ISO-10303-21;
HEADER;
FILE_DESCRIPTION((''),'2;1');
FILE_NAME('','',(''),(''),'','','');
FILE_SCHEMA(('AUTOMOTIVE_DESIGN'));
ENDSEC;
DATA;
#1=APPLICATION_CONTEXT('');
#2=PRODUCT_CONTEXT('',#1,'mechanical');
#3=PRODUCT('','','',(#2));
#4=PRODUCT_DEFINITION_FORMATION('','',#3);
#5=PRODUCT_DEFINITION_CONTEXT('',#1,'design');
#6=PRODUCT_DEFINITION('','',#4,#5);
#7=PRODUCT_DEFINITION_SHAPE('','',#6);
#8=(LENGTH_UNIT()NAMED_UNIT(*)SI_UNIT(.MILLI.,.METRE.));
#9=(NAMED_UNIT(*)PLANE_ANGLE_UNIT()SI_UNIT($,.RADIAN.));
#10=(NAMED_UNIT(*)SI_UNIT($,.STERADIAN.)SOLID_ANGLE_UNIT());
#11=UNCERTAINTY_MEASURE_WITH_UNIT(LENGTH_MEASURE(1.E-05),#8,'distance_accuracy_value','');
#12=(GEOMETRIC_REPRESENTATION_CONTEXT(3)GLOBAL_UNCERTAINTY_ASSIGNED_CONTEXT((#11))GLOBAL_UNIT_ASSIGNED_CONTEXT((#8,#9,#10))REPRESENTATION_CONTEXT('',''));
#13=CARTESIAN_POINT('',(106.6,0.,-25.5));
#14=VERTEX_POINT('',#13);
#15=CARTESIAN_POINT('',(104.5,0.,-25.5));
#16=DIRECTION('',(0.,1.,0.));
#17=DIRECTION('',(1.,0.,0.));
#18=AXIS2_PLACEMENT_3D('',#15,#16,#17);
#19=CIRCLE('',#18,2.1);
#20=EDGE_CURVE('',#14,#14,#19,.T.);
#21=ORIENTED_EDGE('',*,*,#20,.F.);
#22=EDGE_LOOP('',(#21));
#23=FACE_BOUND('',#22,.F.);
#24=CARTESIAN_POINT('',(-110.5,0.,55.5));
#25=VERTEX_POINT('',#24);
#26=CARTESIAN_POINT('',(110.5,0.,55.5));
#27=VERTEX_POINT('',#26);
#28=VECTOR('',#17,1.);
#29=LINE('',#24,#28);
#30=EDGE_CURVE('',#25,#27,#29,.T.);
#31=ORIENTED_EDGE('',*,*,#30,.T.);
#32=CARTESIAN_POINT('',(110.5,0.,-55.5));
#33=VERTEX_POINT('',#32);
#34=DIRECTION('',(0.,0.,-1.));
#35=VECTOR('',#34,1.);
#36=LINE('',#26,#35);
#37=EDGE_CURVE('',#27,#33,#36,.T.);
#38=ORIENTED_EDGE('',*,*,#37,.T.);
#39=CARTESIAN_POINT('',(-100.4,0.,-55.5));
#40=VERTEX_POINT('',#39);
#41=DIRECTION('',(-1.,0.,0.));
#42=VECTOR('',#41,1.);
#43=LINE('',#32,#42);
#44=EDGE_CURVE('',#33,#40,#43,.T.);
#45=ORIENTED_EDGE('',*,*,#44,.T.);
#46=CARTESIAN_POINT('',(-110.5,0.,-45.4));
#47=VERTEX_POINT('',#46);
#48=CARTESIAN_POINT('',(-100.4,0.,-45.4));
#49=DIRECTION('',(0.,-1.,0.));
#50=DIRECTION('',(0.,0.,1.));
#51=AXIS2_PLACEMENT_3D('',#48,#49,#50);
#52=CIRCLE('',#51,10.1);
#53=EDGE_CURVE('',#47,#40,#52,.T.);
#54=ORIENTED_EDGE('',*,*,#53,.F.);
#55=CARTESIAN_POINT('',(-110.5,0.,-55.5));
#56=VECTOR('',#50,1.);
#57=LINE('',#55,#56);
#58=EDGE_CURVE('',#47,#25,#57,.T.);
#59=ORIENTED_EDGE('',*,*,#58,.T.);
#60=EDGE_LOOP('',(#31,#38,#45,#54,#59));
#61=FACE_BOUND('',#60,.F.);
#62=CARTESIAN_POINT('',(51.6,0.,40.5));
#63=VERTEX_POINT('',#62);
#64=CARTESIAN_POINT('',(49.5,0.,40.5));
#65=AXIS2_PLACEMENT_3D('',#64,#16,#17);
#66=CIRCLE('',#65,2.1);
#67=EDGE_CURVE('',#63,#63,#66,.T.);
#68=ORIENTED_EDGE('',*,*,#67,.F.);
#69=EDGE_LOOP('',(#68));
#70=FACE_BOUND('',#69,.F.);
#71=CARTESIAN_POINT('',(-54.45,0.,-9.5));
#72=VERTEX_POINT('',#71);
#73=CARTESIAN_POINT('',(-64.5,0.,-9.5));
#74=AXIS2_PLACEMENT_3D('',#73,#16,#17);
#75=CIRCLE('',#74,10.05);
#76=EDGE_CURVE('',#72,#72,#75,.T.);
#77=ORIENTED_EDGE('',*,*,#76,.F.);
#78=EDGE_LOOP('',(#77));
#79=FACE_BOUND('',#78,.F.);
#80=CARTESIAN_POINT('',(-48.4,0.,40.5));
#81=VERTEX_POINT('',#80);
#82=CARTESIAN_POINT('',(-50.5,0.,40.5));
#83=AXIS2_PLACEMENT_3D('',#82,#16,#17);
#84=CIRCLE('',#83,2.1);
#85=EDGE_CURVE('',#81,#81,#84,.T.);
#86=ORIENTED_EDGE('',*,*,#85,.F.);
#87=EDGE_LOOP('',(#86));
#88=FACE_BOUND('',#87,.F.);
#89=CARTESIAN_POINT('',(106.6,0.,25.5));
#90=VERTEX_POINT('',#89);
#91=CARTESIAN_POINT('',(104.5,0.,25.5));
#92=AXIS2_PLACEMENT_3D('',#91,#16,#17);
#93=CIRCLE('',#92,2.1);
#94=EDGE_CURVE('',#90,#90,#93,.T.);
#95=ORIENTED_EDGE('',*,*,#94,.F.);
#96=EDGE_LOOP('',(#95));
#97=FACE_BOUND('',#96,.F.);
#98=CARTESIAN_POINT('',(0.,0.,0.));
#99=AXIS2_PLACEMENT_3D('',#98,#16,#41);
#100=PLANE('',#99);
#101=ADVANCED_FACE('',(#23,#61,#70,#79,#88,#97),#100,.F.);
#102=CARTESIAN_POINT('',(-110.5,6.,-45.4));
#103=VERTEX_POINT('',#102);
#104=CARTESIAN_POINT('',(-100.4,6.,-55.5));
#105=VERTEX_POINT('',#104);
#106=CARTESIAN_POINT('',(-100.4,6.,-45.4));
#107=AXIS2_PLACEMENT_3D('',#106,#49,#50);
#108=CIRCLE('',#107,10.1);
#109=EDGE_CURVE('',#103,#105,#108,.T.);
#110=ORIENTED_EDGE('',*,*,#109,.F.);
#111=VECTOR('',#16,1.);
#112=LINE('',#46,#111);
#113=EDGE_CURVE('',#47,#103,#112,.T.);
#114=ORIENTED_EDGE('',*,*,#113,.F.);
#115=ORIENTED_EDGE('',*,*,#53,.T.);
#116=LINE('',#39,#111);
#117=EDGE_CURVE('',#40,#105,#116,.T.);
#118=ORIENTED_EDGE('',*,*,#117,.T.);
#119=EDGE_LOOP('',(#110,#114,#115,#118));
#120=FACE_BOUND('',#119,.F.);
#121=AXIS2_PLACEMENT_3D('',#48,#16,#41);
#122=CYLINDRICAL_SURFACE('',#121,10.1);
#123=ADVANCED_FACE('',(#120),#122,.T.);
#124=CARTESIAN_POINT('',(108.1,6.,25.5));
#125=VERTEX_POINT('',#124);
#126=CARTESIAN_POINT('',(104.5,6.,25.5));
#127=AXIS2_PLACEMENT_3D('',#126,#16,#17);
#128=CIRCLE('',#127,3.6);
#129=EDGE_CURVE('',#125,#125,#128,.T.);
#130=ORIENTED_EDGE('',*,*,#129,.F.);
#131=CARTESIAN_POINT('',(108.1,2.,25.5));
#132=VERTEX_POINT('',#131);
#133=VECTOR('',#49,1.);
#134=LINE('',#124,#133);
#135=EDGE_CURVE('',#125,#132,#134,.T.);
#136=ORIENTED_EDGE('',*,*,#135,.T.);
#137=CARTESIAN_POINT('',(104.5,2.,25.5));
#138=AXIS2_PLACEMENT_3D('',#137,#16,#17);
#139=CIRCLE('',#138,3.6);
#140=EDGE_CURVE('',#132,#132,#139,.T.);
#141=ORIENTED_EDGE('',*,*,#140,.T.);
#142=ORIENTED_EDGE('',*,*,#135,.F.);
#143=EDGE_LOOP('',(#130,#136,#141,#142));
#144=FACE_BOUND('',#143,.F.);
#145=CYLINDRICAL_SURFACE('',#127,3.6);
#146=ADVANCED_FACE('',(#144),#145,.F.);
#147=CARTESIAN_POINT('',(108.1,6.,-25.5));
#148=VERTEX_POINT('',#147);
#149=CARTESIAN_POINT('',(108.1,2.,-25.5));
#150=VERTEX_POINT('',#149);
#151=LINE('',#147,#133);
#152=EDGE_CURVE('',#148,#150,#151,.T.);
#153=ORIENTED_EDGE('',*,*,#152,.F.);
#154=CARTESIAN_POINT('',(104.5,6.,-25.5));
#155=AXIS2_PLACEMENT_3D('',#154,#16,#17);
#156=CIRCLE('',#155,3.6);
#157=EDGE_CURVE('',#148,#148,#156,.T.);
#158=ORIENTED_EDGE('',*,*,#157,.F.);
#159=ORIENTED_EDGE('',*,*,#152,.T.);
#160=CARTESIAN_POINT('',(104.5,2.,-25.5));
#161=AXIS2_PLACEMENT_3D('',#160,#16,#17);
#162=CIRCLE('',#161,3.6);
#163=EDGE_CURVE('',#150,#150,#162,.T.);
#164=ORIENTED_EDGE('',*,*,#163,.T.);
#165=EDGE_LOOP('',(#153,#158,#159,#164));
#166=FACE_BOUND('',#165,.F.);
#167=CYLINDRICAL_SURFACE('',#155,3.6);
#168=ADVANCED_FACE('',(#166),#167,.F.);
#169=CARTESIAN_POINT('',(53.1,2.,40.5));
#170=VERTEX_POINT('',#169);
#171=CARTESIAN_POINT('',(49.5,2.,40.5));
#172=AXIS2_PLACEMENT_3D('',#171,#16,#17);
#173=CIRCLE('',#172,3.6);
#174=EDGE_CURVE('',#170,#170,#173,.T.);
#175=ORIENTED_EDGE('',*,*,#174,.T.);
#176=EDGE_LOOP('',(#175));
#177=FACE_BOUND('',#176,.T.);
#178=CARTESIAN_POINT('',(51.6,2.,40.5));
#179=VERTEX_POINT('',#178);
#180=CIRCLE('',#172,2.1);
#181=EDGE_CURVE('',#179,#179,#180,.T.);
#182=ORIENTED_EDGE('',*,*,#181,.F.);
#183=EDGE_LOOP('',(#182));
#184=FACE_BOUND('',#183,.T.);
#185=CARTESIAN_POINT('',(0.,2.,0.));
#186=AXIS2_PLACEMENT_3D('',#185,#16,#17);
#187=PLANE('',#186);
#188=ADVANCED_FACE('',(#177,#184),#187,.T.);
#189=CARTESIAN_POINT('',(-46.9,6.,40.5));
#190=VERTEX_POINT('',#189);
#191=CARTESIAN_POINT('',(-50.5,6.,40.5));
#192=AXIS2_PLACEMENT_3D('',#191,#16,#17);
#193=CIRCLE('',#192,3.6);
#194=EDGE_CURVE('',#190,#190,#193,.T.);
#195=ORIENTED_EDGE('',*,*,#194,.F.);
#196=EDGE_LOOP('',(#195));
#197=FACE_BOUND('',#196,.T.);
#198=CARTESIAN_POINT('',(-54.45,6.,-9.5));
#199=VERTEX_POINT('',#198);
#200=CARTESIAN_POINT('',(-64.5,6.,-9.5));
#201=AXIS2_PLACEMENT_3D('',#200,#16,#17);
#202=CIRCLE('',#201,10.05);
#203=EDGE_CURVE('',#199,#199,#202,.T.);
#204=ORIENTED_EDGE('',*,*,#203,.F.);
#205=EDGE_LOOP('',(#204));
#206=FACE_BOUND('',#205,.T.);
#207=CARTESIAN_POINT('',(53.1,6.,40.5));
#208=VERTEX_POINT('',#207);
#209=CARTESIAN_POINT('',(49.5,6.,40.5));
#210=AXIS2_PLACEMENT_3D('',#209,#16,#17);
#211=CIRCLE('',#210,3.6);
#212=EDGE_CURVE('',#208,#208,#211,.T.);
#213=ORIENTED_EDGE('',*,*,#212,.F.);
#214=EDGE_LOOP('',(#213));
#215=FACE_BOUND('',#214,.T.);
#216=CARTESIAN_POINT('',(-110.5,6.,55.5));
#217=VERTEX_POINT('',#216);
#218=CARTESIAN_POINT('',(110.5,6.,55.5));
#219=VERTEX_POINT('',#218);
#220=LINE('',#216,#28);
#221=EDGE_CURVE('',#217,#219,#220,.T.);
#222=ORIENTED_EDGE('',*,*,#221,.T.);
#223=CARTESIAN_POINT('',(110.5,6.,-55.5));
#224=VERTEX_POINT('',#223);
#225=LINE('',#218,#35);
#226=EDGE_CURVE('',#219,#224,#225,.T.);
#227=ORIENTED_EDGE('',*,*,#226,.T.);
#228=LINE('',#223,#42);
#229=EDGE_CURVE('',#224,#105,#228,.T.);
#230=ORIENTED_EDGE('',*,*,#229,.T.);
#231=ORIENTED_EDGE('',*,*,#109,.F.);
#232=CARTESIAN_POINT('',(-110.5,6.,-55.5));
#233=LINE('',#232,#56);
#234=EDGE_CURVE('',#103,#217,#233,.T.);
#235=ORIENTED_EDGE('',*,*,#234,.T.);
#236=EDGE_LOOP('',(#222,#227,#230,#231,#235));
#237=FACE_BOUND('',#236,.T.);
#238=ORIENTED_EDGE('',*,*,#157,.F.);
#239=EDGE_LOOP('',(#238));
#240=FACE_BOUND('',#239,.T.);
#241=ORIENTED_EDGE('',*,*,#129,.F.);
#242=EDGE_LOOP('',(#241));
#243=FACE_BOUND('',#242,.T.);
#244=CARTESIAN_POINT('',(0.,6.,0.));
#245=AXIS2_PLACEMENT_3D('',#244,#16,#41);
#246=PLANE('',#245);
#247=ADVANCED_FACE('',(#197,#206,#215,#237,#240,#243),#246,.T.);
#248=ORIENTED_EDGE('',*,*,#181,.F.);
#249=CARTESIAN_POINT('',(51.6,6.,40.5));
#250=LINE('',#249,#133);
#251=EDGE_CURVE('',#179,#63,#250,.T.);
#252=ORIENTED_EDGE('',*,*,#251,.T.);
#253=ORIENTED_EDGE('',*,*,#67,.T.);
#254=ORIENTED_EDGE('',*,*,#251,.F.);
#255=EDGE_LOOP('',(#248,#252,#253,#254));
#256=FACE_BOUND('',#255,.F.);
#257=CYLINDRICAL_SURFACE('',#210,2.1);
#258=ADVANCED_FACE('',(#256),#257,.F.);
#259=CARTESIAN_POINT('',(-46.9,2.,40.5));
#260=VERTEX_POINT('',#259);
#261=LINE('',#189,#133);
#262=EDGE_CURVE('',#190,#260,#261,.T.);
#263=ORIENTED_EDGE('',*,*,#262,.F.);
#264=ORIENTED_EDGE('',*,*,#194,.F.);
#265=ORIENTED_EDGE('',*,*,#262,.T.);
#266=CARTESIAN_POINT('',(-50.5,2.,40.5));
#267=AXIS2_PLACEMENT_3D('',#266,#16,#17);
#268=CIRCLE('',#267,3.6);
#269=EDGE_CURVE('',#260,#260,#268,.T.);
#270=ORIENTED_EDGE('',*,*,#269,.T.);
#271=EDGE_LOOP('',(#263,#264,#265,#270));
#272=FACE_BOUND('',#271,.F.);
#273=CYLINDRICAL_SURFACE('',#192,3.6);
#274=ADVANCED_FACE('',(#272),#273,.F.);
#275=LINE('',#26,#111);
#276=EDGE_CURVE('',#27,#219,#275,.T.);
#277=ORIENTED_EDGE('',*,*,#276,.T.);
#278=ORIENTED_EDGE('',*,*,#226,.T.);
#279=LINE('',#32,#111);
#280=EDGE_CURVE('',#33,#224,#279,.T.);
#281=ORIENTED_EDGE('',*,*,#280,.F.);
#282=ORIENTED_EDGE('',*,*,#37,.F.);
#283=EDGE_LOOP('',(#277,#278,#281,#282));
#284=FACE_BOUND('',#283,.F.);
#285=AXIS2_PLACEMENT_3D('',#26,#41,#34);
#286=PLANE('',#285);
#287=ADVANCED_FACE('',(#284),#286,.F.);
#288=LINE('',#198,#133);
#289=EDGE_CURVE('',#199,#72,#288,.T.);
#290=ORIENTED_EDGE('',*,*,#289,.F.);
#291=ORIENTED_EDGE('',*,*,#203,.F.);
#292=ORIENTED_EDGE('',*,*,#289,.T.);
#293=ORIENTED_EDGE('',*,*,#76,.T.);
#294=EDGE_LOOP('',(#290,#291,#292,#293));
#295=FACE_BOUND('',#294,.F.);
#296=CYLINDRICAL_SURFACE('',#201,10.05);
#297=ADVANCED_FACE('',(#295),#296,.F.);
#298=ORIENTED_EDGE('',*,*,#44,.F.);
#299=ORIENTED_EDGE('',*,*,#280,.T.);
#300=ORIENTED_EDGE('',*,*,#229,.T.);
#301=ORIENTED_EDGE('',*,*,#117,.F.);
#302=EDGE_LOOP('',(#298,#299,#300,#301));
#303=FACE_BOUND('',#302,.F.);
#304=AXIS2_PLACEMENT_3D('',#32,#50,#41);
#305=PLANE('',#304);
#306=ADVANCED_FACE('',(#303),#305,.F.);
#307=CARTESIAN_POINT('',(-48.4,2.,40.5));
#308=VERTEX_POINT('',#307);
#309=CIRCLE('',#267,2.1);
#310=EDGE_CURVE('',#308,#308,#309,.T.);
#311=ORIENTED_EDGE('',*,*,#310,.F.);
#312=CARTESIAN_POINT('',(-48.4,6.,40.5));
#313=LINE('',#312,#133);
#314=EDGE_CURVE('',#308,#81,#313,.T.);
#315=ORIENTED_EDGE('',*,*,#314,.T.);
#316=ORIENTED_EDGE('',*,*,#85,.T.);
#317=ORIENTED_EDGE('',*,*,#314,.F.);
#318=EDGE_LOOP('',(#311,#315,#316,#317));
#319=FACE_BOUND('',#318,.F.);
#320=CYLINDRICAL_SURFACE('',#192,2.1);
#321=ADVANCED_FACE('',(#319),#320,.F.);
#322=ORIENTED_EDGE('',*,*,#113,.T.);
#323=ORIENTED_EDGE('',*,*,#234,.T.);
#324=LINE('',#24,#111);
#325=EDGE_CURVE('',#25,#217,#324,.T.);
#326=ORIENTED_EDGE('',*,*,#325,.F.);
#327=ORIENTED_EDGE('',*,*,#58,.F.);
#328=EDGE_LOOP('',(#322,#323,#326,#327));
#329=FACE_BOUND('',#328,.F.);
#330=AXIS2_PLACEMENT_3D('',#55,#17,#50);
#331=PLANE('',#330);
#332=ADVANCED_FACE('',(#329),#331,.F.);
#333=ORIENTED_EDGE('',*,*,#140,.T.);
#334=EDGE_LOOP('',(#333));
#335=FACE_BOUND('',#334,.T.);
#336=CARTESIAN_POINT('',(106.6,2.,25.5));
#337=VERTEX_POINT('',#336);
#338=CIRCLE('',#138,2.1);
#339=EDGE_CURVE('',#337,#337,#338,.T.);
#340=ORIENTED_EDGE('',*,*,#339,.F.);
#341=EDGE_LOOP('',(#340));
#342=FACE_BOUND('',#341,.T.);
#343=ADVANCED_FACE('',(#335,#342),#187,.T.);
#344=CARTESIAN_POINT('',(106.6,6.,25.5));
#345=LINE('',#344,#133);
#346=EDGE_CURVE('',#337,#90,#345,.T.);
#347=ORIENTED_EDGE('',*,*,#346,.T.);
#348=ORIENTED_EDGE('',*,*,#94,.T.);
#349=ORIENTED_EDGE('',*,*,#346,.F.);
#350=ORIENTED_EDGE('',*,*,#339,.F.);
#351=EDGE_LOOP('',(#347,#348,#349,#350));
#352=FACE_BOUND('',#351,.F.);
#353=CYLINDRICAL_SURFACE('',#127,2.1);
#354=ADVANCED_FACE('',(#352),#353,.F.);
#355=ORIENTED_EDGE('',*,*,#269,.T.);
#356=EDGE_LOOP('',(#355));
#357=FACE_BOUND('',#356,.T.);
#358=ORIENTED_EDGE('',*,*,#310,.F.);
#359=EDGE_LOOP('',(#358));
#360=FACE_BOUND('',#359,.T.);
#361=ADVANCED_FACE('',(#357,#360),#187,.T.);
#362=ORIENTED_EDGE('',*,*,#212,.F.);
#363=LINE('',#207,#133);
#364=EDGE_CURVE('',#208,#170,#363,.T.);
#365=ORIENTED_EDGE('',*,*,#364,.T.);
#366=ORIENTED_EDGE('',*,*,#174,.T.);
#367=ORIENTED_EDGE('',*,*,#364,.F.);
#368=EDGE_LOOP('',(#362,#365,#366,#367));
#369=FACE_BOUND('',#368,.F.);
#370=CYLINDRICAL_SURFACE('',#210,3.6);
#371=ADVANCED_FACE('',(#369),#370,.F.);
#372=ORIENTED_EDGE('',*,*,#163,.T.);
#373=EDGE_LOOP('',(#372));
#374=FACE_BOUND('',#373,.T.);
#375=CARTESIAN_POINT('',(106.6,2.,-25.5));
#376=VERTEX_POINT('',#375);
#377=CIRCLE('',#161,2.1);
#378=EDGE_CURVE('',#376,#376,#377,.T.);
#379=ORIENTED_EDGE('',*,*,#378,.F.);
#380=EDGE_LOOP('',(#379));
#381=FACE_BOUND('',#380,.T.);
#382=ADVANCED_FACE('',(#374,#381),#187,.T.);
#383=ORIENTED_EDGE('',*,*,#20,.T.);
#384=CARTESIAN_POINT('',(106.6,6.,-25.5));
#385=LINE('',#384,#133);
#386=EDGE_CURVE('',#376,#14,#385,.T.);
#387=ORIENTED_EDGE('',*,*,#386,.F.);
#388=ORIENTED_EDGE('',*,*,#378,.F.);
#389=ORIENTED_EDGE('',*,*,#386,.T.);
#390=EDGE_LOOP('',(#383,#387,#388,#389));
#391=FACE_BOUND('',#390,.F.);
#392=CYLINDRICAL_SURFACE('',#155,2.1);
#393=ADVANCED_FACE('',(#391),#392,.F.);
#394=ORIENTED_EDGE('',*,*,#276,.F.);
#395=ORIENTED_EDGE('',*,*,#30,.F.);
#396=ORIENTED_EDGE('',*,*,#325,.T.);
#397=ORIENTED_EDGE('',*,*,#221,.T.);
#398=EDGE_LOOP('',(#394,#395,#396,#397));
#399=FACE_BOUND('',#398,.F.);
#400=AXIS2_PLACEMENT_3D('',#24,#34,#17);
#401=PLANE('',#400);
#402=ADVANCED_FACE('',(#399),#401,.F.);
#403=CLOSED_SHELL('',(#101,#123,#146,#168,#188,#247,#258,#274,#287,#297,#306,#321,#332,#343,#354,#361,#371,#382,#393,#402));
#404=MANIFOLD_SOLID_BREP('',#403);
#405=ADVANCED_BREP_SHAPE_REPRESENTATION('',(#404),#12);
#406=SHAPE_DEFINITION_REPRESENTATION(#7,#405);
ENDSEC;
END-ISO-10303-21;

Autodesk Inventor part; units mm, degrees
ref_plane "YZ Plane" through (0, 0, 0) normal (1, 0, 0) x (0, 1, 0)
ref_plane "XZ Plane" through (0, 0, 0) normal (0, 1, 0) x (-1, 0, 0)
ref_plane "XY Plane" through (0, 0, 0) normal (0, 0, 1) x (1, 0, 0)
sketch "草图1" plane through (0, 0, 0) normal (0, 1, 0) x (-1, 0, 0)
  line L0 (110.5, 55.5) -> (-110.5, 55.5)
  line L1 (-110.5, 55.5) -> (-110.5, -55.5)
  line L2 (-110.5, -55.5) -> (110.5, -55.5)
  line L3 (110.5, -55.5) -> (110.5, 55.5)
  line L4 (0, 7.5575) -> (0, -11)
  line L5 (8.5019, 0) -> (-7, 0)
  point P0 (0, 0)
  point P1 (0, 0)
  point P2 (0, 0)
  dimension "d0" = 221
  dimension "d1" = 111
extrude "拉伸1" add sketch "草图1" along normal blind 6
fillet "圆角1" radius 10.1 1 edges at (-110.5, 3, -55.5)
sketch "草图2" plane through (0, 6, 0) normal (0, 1, 0) x (1, 0, 0)
  circle A0 centre (-64.5, 9.5) radius 10.05
  line L0 (110.5, 55.5) -> (-100.4, 55.5) projected
  line L1 (-110.5, 45.4) -> (-110.5, -55.5) projected
  point P0 (0, 0)
  dimension "d5" = 20.1
  dimension "d6" = 46
  dimension "d7" = 46
extrude "拉伸2" cut sketch "草图2" against normal blind 6
sketch "草图3" plane through (0, 6, 0) normal (0, 1, 0) x (1, 0, 0)
  circle A0 centre (-104.5, 25.5) radius 2.1
  circle A1 centre (-104.5, -25.5) radius 2.1
  line L0 (-110.5, -55.5) -> (-110.5, 55.5)
  line L1 (110.5, -55.5) -> (-110.5, -55.5)
  line L2 (-110.5, 55.5) -> (100.4, 55.5)
  circle A2 centre (104.5, -25.5) radius 2.1
  circle A3 centre (104.5, 25.5) radius 2.1
  line L3 (110.5, -55.5) -> (110.5, 55.5) projected
  point P0 (0, 0)
  point P1 (0, 0)
  dimension "d10" = 4.2
  dimension "d11" = 4.2
  dimension "d12" = 6
  dimension "d13" = 6
  dimension "d14" = 30
  dimension "d15" = 30
  dimension "d16" = 4.2
  dimension "d17" = 4.2
  dimension "d18" = 30
  dimension "d19" = 6
  dimension "d20" = 30
  dimension "d21" = 6
extrude "拉伸3" cut sketch "草图3" against normal blind 10 contours A2 | A3
sketch "草图4" plane through (0, 6, 0) normal (0, 1, 0) x (1, 0, 0)
  circle A0 centre (104.5, -25.5) radius 2.1 projected
  circle A1 centre (104.5, -25.5) radius 3.6
  circle A2 centre (104.5, 25.5) radius 2.1 projected
  circle A3 centre (104.5, 25.5) radius 3.6
  point P0 (0, 0)
  dimension "d24" = 7.2
  dimension "d25" = 7.2
extrude "拉伸4" cut sketch "草图4" against normal blind 4 contours A0 | A1 | A2 | A3
sketch "草图5" plane through (0, 6, 0) normal (0, 1, 0) x (1, 0, 0)
  circle A0 centre (49.5, -40.5) radius 2.1
  circle A1 centre (-50.5, -40.5) radius 2.1
  line L0 (-110.5, -55.5) -> (110.5, -55.5) projected
  line L1 (-110.5, 45.4) -> (-110.5, -55.5) projected
  point P0 (0, 0)
  dimension "d28" = 4.2
  dimension "d29" = 4.2
  dimension "d30" = 15
  dimension "d31" = 15
  dimension "d32" = 60
  dimension "d33" = 100
extrude "拉伸5" cut sketch "草图5" against normal blind 6
sketch "草图6" plane through (0, 6, 0) normal (0, 1, 0) x (1, 0, 0)
  circle A0 centre (49.5, -40.5) radius 2.1 projected
  circle A1 centre (49.5, -40.5) radius 3.6
  circle A2 centre (-50.5, -40.5) radius 2.1 projected
  circle A3 centre (-50.5, -40.5) radius 3.6
  point P0 (0, 0)
  dimension "d36" = 7.2
  dimension "d37" = 7.2
extrude "拉伸6" cut sketch "草图6" against normal blind 4 contours A0 | A1 | A2 | A3
properties part number "底板_C"
